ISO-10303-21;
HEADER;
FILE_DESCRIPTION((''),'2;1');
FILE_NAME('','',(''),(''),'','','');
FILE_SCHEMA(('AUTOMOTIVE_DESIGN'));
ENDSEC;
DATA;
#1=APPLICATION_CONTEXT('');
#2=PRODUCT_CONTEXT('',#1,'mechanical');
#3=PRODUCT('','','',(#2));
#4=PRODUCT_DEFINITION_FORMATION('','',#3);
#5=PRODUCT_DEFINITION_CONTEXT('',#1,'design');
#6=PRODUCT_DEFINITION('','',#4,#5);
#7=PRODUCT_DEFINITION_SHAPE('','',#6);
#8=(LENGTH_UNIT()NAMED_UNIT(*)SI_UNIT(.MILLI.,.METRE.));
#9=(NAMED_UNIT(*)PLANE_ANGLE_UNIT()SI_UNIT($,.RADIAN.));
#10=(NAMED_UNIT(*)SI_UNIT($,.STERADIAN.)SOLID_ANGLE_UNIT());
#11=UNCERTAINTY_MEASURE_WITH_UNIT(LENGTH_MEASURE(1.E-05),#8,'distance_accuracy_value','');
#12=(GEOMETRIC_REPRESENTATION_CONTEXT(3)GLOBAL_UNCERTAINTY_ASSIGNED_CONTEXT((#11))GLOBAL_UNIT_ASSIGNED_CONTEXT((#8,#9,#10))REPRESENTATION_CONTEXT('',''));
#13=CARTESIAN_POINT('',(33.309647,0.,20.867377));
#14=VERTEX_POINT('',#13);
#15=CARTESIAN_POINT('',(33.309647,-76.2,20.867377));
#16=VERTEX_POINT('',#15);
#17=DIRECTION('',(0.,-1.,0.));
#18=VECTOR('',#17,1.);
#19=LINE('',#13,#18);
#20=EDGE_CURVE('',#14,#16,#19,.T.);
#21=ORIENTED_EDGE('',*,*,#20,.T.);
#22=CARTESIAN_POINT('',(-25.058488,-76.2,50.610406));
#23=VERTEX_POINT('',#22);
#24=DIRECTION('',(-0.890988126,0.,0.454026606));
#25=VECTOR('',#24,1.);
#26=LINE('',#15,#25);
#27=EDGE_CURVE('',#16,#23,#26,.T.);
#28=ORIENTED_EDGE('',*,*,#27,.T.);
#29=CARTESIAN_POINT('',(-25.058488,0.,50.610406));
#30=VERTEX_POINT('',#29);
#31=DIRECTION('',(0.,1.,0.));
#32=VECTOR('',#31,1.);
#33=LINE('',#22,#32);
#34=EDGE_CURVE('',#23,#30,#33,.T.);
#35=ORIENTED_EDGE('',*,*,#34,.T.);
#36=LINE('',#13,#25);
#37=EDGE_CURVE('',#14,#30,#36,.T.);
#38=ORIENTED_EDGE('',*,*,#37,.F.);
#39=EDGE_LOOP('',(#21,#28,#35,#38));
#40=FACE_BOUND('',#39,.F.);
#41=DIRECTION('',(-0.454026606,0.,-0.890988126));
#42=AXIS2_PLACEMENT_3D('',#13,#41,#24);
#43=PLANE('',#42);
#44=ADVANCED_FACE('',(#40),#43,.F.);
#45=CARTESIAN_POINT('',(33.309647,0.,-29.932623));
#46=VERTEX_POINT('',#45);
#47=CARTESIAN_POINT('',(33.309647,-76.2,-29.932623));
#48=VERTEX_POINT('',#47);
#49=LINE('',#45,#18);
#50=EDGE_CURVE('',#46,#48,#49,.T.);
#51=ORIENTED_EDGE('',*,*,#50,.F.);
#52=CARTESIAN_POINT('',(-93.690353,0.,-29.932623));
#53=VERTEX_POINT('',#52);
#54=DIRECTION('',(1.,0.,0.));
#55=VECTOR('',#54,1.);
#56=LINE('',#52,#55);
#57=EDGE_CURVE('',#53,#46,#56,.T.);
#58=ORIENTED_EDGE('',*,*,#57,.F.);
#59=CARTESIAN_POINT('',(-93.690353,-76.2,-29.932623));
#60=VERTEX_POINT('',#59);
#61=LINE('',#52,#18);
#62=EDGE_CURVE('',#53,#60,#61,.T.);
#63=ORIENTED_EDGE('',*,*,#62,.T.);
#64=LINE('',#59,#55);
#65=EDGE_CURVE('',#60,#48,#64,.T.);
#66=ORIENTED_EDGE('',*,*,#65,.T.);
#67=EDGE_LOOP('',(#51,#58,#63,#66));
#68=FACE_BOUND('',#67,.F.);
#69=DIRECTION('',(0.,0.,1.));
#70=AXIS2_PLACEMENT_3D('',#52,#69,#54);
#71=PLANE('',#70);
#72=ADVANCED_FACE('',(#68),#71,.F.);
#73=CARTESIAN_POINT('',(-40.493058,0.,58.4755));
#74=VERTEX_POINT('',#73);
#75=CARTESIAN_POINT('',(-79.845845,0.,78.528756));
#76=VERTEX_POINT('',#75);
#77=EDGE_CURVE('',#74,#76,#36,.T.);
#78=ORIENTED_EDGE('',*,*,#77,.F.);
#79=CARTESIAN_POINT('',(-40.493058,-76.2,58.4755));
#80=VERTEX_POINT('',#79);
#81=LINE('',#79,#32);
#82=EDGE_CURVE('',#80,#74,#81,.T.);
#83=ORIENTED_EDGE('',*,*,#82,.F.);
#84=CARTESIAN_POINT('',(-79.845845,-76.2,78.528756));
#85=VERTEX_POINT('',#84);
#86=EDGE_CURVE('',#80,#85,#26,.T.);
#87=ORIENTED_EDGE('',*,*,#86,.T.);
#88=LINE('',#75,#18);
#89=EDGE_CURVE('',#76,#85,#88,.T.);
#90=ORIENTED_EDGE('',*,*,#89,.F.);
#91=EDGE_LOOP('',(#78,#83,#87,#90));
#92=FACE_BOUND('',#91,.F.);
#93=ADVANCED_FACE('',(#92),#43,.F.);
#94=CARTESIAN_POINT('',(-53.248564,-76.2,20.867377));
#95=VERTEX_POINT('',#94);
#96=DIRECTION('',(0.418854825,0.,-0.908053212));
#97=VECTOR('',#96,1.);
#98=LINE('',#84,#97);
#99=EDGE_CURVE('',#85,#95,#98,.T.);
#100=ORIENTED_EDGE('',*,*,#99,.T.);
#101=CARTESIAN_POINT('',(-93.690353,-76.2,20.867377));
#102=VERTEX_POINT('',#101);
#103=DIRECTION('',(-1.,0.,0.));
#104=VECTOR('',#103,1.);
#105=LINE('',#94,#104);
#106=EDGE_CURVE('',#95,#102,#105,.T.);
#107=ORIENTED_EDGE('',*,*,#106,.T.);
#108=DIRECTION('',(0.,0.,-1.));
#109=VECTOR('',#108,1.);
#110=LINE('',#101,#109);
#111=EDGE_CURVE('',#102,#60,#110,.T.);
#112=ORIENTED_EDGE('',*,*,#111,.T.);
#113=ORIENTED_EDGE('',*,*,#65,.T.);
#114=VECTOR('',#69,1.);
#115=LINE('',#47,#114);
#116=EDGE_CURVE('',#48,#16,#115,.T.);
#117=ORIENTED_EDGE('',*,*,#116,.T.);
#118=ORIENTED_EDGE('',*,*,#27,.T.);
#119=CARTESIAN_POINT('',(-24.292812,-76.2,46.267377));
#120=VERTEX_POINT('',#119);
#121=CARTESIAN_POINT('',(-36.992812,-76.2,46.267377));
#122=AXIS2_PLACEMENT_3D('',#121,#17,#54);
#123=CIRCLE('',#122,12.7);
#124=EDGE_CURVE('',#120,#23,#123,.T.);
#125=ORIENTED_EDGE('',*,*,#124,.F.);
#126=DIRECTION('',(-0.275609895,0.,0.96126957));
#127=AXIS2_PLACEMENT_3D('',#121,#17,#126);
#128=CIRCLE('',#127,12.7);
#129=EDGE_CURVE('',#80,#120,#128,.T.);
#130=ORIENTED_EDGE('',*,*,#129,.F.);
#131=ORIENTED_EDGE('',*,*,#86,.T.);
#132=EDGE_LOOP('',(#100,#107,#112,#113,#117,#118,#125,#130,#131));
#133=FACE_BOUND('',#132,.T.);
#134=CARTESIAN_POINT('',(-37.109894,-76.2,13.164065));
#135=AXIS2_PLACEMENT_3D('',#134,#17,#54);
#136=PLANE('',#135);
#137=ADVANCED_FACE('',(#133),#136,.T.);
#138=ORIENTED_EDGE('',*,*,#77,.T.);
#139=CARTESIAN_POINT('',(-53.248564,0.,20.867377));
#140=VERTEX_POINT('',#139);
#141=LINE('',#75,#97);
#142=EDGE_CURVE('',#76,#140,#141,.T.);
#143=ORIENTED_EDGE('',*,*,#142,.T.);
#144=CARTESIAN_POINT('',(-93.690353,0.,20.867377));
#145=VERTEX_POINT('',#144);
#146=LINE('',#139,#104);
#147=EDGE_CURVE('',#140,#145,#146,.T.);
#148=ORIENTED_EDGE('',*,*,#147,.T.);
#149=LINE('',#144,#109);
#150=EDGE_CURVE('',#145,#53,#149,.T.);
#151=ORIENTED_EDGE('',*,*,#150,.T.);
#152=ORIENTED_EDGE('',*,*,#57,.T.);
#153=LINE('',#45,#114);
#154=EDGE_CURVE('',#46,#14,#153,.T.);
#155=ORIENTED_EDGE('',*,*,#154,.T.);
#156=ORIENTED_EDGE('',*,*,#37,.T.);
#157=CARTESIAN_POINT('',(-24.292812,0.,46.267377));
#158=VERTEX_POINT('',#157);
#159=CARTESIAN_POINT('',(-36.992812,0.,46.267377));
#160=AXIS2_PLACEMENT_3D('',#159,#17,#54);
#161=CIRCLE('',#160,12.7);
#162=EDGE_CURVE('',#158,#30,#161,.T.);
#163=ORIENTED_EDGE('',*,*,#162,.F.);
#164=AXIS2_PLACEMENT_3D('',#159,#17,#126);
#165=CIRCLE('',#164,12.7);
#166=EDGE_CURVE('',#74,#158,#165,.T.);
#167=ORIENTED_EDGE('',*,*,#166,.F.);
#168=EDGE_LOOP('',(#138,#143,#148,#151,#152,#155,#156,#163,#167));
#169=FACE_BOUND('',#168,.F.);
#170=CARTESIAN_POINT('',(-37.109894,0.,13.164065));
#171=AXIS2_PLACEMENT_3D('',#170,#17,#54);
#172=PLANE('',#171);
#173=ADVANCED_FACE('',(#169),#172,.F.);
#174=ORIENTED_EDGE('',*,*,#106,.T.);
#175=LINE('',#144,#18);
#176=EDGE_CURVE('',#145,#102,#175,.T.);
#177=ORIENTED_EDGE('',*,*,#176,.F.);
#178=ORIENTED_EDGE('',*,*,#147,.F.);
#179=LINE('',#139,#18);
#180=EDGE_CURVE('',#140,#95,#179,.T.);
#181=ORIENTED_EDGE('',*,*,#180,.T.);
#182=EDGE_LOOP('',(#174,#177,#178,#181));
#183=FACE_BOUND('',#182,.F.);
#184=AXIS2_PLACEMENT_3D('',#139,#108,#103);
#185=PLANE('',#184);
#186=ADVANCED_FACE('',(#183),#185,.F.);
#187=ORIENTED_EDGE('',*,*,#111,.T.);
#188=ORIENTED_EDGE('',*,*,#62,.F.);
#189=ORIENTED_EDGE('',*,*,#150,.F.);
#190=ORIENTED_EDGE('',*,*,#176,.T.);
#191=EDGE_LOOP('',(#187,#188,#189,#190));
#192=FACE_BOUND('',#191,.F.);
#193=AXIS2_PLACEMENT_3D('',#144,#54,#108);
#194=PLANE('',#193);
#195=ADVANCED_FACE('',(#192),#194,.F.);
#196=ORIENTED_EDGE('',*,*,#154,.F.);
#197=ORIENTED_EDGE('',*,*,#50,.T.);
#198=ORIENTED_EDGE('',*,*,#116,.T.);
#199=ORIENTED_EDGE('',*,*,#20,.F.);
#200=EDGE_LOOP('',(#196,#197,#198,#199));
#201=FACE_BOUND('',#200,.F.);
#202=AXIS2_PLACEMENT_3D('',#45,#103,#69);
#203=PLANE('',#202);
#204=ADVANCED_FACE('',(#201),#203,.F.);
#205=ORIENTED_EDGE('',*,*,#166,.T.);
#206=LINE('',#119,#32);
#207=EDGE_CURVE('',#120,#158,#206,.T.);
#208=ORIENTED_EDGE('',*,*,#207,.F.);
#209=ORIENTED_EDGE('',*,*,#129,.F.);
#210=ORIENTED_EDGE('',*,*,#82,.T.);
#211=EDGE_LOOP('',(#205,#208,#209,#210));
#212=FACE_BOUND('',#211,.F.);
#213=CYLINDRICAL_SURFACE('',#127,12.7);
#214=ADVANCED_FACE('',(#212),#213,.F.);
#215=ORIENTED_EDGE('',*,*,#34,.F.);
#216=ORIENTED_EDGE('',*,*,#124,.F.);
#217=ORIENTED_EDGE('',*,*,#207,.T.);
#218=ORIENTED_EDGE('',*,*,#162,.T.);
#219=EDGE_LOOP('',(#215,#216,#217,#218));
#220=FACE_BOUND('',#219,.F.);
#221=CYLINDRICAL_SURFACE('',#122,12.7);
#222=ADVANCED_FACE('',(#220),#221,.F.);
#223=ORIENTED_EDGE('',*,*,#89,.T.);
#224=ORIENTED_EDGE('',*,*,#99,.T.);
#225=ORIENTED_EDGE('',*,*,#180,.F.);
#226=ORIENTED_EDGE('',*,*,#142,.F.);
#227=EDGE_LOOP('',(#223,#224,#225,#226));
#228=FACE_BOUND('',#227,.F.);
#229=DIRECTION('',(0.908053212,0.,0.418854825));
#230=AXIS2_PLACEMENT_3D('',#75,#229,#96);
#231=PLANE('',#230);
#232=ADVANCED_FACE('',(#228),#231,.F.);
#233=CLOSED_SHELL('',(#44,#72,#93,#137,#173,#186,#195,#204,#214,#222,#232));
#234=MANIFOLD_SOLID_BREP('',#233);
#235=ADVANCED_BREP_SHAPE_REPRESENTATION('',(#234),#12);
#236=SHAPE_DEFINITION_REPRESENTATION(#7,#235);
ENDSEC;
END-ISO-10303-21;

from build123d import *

# Parameters (mm, degrees)
F1_DEPTH = 76.2
F3_DEPTH = 76.2


with BuildPart() as f1:
    # F0 (on Front) → F1 (new body)
    with BuildSketch(Plane.XZ):
        Polygon((-53.2485639434, 20.8673768507), (-93.690353318, 20.8673768507), (-93.690353318, -29.9326231493), (33.309646682, -29.9326231493), (33.309646682, 20.8673768507), (-79.845845357, 78.5287557919), align=None)
    extrude(amount=F1_DEPTH)

    # F2 (on face) → F3 (cut, through all)
    with BuildSketch(Plane.XZ.offset(76.2)):
        with BuildLine():
            ThreePointArc((-40.4930580295, 58.4755003856), (-44.6360080249, 36.1248150436), (-24.2928123588, 46.2673768507))
            ThreePointArc((-24.2928123588, 46.2673768507), (-24.4856960325, 48.4723805244), (-25.0584881385, 50.6104063699))
            Line((-25.0584881385, 50.6104063699), (-40.4930580295, 58.4755003856))
        make_face()
    extrude(amount=-F3_DEPTH, mode=Mode.SUBTRACT)


solid = f1.part
